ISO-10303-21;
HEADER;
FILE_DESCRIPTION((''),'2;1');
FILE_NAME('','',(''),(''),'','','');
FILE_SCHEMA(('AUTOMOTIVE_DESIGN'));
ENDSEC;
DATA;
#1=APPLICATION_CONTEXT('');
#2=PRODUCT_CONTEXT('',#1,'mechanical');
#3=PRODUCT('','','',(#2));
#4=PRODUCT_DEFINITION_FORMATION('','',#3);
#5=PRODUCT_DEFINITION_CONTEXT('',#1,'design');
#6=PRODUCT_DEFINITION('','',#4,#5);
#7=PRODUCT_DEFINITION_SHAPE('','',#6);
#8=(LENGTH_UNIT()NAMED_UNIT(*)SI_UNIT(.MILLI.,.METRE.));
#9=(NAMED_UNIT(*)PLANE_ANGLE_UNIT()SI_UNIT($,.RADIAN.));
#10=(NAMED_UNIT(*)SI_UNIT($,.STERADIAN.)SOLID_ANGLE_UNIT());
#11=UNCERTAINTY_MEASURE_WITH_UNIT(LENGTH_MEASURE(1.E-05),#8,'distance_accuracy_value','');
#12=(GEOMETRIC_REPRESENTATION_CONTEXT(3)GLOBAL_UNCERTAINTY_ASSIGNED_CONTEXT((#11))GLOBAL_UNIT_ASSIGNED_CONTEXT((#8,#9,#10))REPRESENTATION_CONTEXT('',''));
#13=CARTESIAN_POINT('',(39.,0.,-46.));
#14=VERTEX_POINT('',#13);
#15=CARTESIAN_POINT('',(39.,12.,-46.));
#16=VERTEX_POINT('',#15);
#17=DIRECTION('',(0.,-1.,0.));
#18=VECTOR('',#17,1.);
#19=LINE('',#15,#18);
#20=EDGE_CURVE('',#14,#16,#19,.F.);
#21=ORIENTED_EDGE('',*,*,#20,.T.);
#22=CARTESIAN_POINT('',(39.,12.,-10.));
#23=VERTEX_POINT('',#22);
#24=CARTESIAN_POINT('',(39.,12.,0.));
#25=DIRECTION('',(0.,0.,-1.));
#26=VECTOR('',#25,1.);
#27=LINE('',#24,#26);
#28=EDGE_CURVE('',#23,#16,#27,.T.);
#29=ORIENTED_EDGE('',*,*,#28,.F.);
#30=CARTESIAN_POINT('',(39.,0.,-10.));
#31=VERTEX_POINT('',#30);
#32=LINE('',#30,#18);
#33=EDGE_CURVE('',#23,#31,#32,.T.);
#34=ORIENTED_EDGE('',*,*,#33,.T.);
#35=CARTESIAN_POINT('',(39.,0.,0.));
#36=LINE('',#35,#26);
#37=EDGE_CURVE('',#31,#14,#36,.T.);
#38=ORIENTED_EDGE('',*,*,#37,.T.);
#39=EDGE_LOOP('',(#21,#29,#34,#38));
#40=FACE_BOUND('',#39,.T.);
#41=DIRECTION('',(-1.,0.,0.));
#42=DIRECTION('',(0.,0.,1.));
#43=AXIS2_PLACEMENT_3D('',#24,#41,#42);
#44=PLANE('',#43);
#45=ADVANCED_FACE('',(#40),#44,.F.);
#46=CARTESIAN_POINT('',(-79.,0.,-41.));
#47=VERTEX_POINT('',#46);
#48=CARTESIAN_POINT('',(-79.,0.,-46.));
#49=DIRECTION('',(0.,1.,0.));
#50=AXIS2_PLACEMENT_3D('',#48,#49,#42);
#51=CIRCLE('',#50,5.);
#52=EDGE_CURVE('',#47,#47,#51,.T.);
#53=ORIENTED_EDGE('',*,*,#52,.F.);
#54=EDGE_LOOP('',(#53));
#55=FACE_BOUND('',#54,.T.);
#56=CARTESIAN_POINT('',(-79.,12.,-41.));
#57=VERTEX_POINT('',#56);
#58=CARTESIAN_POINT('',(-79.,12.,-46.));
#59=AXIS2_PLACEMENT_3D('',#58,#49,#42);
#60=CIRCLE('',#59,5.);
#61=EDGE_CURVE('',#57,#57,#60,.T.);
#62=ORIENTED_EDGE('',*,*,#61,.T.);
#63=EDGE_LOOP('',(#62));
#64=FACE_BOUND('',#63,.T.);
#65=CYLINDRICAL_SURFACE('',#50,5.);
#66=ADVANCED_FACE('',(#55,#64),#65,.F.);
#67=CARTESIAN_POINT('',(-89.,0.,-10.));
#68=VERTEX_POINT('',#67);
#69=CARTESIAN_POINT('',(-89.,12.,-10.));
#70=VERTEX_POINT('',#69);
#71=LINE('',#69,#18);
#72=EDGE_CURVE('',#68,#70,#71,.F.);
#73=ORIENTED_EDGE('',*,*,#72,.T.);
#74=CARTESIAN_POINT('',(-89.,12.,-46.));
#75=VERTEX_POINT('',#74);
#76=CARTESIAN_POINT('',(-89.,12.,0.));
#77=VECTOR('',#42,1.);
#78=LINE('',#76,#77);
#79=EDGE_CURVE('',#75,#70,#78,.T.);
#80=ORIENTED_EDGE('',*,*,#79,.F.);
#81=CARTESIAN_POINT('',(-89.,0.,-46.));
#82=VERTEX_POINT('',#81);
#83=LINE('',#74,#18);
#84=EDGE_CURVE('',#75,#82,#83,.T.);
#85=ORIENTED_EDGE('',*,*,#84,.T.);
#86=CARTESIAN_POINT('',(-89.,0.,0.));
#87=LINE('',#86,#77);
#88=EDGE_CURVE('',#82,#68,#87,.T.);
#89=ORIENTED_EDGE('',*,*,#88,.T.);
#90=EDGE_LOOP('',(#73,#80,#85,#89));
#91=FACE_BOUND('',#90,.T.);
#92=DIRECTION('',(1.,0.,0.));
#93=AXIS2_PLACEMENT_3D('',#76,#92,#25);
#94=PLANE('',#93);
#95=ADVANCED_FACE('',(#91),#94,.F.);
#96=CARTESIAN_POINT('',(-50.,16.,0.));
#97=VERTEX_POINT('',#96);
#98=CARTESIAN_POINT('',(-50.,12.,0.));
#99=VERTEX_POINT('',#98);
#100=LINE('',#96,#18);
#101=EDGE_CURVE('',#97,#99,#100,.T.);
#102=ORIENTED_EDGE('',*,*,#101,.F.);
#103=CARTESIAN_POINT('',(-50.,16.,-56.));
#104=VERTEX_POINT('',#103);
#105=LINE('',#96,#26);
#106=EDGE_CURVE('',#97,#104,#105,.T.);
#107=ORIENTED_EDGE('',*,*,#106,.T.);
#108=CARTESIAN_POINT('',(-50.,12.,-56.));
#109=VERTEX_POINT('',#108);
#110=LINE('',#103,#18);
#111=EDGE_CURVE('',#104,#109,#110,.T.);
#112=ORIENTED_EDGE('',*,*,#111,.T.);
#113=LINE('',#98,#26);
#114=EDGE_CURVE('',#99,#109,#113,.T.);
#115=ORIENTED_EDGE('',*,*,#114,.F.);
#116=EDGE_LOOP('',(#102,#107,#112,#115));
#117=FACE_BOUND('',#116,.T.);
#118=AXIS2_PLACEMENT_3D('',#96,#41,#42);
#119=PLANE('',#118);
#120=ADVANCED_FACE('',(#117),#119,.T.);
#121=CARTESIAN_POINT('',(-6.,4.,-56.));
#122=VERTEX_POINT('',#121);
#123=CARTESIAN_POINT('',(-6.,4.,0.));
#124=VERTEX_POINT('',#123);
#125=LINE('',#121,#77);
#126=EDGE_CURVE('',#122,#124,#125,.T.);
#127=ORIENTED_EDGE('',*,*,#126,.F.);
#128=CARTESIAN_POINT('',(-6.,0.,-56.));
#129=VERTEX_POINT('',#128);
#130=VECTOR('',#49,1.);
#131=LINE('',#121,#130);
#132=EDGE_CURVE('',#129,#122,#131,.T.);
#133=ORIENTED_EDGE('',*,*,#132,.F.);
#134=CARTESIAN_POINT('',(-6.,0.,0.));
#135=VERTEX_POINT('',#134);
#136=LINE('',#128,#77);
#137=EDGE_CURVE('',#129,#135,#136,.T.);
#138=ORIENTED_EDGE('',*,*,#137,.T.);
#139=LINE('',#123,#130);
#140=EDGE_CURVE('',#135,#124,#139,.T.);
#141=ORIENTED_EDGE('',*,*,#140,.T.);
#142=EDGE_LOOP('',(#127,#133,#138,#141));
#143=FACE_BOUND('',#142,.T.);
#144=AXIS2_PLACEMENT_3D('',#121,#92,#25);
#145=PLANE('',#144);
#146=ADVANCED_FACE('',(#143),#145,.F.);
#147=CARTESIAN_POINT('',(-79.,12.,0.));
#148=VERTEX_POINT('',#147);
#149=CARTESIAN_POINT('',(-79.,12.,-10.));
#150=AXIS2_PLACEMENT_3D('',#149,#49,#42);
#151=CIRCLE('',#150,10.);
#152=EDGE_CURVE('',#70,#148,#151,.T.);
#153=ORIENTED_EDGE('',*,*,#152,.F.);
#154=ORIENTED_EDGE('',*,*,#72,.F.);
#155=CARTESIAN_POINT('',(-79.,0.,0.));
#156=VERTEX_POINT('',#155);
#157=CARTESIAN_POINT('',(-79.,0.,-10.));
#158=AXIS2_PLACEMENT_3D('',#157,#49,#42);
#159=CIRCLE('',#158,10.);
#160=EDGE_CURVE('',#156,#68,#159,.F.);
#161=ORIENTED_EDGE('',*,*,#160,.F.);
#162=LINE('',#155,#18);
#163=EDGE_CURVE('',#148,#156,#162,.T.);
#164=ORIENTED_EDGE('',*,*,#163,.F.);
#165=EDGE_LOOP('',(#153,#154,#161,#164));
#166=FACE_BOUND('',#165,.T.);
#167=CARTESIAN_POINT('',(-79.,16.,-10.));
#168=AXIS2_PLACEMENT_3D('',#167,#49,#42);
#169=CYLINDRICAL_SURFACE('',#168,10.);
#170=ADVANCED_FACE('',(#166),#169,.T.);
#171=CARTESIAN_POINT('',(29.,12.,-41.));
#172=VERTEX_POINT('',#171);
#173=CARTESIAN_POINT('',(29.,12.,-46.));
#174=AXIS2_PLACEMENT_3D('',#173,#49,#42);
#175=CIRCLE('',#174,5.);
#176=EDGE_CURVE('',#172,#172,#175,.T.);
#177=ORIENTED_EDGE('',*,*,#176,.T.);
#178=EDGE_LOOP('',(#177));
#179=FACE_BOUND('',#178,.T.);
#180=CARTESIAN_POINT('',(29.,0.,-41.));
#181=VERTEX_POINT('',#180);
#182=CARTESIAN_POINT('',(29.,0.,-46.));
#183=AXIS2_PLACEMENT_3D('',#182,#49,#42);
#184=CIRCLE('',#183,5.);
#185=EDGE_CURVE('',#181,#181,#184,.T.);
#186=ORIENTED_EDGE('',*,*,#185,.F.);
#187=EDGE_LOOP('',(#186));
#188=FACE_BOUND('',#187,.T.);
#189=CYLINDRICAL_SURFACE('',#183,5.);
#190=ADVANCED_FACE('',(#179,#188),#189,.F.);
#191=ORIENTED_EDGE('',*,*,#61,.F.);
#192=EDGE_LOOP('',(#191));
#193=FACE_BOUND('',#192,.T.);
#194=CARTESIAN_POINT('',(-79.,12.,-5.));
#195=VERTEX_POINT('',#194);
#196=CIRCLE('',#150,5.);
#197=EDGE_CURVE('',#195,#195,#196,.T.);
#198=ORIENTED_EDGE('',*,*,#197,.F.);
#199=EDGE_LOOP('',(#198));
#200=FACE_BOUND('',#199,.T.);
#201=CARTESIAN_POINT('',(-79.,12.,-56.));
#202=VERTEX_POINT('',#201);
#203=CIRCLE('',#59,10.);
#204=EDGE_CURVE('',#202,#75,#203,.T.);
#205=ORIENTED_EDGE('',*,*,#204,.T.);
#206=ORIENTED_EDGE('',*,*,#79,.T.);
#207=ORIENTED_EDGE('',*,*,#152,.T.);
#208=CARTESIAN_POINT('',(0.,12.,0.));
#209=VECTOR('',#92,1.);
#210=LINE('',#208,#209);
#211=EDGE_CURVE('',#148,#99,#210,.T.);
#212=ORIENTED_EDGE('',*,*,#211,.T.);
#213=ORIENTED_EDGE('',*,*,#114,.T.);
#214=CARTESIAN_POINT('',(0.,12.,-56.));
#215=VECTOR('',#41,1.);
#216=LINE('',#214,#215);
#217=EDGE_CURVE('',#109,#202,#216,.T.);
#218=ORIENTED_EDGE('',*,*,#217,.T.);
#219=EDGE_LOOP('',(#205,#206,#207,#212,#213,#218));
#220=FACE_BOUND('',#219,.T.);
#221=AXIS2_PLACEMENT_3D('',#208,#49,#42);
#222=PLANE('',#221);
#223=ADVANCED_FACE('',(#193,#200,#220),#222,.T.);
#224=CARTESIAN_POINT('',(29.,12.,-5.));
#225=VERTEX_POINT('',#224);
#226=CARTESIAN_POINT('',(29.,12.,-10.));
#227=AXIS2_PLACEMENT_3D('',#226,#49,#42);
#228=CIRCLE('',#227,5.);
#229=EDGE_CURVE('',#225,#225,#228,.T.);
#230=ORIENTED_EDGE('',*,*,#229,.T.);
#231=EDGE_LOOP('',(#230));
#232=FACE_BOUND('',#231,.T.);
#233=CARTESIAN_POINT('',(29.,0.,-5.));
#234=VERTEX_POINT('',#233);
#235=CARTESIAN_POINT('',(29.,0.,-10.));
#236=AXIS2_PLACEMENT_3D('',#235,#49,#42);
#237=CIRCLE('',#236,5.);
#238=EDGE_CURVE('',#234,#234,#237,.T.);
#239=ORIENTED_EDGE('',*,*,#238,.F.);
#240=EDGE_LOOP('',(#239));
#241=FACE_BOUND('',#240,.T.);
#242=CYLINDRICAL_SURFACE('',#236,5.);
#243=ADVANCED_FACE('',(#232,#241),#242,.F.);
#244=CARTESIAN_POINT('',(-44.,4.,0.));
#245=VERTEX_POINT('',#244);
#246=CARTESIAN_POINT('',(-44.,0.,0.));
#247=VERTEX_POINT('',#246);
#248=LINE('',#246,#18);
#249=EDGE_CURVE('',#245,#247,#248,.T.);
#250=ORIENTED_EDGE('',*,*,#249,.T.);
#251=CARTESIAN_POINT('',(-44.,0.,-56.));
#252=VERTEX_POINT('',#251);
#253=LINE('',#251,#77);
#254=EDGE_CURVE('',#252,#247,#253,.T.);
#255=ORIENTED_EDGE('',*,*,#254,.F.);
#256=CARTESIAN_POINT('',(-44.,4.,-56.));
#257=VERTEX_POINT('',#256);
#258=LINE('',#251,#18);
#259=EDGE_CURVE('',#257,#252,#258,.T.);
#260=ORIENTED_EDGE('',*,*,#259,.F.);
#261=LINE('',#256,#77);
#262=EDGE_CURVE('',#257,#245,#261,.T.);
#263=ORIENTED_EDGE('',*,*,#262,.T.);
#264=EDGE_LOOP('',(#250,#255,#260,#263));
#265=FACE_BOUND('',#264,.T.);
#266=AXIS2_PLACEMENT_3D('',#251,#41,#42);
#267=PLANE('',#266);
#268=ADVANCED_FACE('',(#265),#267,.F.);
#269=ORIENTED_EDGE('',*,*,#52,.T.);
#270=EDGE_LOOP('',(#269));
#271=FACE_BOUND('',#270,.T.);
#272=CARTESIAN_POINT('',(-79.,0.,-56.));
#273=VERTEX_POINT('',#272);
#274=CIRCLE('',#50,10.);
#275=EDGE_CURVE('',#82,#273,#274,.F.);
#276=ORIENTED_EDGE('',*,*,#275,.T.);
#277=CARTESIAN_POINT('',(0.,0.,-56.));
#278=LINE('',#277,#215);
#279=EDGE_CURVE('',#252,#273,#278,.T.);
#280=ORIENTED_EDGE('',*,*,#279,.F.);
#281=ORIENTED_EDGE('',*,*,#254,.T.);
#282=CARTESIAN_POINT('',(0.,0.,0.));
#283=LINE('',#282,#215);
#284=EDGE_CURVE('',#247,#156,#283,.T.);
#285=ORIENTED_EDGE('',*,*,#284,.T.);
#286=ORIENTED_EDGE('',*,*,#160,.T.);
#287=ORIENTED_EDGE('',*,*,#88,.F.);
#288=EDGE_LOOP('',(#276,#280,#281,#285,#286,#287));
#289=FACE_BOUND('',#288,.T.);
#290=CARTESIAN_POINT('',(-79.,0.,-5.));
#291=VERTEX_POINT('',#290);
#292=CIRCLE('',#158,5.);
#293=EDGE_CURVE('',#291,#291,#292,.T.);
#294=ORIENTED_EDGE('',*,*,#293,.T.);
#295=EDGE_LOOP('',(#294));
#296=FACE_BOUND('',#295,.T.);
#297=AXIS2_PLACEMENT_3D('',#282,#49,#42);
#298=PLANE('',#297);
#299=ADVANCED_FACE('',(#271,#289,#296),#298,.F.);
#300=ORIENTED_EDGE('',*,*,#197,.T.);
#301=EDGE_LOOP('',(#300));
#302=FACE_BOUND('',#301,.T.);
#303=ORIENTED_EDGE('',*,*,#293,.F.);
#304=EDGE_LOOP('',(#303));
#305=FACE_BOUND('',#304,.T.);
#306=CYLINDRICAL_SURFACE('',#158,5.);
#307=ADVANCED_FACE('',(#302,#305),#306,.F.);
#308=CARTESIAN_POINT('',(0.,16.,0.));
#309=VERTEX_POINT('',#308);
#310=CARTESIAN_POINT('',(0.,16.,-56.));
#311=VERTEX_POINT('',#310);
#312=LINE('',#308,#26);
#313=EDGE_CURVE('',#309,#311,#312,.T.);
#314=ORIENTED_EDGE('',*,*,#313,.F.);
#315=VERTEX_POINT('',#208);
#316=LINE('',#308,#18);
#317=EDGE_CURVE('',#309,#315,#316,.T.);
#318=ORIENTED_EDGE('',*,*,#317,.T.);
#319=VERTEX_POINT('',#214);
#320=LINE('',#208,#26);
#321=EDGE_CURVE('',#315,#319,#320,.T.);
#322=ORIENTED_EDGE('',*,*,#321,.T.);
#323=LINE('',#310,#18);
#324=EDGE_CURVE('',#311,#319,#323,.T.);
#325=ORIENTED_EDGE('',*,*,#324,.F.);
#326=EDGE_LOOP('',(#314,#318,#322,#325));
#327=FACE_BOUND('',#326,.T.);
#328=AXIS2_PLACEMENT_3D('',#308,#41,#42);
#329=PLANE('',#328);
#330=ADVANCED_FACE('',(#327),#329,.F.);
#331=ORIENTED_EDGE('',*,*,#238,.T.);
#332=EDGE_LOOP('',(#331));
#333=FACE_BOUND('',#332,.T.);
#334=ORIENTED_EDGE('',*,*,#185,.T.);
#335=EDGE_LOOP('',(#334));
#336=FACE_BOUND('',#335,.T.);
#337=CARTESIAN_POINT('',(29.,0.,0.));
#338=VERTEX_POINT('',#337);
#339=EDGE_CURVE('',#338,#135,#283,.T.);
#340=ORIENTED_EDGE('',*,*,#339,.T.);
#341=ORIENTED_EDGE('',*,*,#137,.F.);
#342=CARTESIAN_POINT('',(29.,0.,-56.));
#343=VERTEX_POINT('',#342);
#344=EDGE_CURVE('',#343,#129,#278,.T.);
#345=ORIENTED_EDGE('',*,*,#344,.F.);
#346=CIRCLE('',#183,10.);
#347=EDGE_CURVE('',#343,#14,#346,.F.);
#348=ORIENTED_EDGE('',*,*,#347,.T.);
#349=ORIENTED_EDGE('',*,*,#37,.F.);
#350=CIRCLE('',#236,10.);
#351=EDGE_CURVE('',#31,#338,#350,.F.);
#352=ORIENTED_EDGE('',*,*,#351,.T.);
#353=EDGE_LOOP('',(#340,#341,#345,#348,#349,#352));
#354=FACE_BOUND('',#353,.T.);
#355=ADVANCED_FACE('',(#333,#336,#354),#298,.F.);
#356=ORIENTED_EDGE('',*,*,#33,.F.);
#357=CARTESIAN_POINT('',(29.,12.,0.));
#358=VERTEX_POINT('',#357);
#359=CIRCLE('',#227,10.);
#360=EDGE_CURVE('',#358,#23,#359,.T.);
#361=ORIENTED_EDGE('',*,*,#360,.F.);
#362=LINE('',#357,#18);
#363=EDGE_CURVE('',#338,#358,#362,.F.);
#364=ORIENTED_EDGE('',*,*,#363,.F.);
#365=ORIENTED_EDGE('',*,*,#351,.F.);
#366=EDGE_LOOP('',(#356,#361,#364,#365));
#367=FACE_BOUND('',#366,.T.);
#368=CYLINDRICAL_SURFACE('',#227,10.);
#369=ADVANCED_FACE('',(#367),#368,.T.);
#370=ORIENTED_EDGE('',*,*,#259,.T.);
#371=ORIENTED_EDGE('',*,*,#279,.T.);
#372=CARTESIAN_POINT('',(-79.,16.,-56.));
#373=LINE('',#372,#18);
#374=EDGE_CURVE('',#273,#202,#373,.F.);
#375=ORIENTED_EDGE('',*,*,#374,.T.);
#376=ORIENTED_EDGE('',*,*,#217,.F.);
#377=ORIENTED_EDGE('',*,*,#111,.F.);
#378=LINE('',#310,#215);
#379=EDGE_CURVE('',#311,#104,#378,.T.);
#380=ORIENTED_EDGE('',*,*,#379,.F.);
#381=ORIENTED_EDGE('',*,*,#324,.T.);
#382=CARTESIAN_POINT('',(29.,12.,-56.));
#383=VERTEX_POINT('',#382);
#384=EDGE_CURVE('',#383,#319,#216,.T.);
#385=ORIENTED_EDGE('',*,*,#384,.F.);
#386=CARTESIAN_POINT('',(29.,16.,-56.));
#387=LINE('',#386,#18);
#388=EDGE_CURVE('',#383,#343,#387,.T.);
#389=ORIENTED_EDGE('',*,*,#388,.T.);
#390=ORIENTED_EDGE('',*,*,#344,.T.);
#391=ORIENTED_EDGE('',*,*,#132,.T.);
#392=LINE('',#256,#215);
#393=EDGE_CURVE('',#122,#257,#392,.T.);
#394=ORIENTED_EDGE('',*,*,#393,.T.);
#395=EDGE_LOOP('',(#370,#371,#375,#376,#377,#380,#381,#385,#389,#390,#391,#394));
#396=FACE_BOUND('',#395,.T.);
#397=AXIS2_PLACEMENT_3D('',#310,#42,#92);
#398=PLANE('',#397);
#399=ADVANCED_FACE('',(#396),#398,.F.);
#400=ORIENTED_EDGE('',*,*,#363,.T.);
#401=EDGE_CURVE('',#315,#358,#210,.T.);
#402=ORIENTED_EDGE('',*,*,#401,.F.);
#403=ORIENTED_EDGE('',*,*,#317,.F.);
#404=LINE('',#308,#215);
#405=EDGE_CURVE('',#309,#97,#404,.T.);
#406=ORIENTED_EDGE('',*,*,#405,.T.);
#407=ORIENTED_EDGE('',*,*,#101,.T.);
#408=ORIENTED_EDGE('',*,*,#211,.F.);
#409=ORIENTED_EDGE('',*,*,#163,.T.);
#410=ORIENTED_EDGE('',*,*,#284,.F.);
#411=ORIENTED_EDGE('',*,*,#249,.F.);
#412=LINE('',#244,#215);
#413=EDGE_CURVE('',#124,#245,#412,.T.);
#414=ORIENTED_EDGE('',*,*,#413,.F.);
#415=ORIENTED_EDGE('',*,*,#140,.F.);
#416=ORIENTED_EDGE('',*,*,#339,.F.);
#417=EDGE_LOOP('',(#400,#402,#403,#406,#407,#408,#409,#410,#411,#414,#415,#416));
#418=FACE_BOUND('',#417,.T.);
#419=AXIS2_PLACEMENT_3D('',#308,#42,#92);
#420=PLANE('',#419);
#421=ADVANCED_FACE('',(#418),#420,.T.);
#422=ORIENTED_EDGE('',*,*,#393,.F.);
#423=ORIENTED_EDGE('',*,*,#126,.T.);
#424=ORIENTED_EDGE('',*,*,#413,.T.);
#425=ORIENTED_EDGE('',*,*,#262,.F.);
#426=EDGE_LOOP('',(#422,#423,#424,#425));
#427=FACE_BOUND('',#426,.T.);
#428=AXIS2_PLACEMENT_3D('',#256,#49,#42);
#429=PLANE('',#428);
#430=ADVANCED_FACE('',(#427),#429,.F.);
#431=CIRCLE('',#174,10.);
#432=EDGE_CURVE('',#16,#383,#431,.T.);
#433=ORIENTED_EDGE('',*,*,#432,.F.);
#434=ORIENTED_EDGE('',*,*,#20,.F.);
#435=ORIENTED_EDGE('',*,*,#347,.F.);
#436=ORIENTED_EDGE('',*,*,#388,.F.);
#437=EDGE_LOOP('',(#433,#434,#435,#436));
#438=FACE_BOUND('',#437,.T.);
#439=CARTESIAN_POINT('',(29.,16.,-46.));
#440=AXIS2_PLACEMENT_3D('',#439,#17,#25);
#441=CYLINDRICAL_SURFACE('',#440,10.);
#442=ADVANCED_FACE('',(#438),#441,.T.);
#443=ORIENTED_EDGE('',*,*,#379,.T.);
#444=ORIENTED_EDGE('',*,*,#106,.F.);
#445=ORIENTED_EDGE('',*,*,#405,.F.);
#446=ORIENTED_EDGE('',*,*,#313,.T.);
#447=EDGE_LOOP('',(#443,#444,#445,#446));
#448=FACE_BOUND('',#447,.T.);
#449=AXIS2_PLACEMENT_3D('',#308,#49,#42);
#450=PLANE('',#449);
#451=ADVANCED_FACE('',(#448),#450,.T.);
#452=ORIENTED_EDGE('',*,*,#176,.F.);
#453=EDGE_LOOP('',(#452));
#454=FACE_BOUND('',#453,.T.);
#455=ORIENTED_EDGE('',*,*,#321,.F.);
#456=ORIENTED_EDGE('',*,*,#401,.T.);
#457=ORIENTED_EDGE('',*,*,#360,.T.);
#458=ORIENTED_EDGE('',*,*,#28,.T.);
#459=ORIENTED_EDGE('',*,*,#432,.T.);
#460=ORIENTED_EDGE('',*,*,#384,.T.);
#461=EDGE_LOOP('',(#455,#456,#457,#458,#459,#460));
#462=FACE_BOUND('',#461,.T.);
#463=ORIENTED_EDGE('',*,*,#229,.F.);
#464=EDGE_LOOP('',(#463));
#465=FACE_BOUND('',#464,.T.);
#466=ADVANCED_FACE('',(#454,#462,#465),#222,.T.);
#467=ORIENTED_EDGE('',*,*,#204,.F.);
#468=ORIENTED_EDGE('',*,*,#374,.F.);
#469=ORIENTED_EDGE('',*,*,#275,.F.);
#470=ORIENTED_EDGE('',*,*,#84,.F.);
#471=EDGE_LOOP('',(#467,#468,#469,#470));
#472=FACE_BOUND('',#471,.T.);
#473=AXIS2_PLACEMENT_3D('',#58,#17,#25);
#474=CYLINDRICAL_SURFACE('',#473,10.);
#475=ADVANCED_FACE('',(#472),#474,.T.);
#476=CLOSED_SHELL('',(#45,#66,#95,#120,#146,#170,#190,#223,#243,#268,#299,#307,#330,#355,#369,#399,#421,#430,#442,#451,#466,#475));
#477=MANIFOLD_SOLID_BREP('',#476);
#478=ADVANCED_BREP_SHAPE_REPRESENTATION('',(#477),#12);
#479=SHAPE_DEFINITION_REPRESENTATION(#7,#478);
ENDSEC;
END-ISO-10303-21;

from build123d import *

# Parameters (mm, degrees)
IZIM1_W                     = 50
IZIM1_H                     = 56
Y_KSEKLIK_EKSTR_ZYON1_DEPTH = 16
IZIM1_3_W                   = 39
IZIM1_3_H                   = 56
Y_KSEKLIK_EKSTR_ZYON2_DEPTH = 12
RADYUS1_R                   = 10
IZIM2_R                     = 5
KES_EKSTR_ZYON1_DEPTH       = 13
IZIM3_R                     = 5
KES_EKSTR_ZYON2_DEPTH       = 13
IZIM4_W                     = 38
IZIM4_H                     = 4
KES_EKSTR_ZYON4_DEPTH       = 57


with BuildPart() as part:
    # Çizim1 → Yükseklik-Ekstrüzyon1 (new body)
    with BuildSketch(Plane(origin=(0, 0, 0), x_dir=(1, 0, 0), z_dir=(0, 1, 0))):
        with Locations((-25, 28)):
            Rectangle(IZIM1_W, IZIM1_H)
    extrude(amount=Y_KSEKLIK_EKSTR_ZYON1_DEPTH)

    # Çizim1<3> → Yükseklik-Ekstrüzyon2 (add)
    with BuildSketch(Plane(origin=(0, 0, 0), x_dir=(1, 0, 0), z_dir=(0, 1, 0))):
        with Locations((-69.5, 28)):
            Rectangle(IZIM1_3_W, IZIM1_3_H)
        with Locations((19.5, 28)):
            Rectangle(IZIM1_3_W, IZIM1_3_H)
    extrude(amount=Y_KSEKLIK_EKSTR_ZYON2_DEPTH)

    # Radyus1
    radyus1_edges = [part.edges().sort_by_distance(p)[0] for p in [
        (-89, 6, -56),
        (-89, 6, 0),
        (39, 6, 0),
        (39, 6, -56),
    ]]
    fillet(radyus1_edges, radius=RADYUS1_R)

    # Çizim2 → Kes-Ekstrüzyon1 (cut, through all)
    with BuildSketch(Plane(origin=(0, 12, 0), x_dir=(1, 0, 0), z_dir=(0, 1, 0))):
        with Locations((-79, 46)):
            Circle(IZIM2_R)
        with Locations((-79, 10)):
            Circle(IZIM2_R)
    extrude(amount=-KES_EKSTR_ZYON1_DEPTH, mode=Mode.SUBTRACT)

    # Çizim3 → Kes-Ekstrüzyon2 (cut, through all)
    with BuildSketch(Plane(origin=(0, 12, 0), x_dir=(1, 0, 0), z_dir=(0, 1, 0))):
        with Locations((29, 46)):
            Circle(IZIM3_R)
        with Locations((29, 10)):
            Circle(IZIM3_R)
    extrude(amount=-KES_EKSTR_ZYON2_DEPTH, mode=Mode.SUBTRACT)

    # Çizim4 → Kes-Ekstrüzyon4 (cut, through all)
    with BuildSketch(Plane.XY):
        with Locations((-25, 2)):
            Rectangle(IZIM4_W, IZIM4_H)
    extrude(amount=-KES_EKSTR_ZYON4_DEPTH, mode=Mode.SUBTRACT)


solid = part.part
